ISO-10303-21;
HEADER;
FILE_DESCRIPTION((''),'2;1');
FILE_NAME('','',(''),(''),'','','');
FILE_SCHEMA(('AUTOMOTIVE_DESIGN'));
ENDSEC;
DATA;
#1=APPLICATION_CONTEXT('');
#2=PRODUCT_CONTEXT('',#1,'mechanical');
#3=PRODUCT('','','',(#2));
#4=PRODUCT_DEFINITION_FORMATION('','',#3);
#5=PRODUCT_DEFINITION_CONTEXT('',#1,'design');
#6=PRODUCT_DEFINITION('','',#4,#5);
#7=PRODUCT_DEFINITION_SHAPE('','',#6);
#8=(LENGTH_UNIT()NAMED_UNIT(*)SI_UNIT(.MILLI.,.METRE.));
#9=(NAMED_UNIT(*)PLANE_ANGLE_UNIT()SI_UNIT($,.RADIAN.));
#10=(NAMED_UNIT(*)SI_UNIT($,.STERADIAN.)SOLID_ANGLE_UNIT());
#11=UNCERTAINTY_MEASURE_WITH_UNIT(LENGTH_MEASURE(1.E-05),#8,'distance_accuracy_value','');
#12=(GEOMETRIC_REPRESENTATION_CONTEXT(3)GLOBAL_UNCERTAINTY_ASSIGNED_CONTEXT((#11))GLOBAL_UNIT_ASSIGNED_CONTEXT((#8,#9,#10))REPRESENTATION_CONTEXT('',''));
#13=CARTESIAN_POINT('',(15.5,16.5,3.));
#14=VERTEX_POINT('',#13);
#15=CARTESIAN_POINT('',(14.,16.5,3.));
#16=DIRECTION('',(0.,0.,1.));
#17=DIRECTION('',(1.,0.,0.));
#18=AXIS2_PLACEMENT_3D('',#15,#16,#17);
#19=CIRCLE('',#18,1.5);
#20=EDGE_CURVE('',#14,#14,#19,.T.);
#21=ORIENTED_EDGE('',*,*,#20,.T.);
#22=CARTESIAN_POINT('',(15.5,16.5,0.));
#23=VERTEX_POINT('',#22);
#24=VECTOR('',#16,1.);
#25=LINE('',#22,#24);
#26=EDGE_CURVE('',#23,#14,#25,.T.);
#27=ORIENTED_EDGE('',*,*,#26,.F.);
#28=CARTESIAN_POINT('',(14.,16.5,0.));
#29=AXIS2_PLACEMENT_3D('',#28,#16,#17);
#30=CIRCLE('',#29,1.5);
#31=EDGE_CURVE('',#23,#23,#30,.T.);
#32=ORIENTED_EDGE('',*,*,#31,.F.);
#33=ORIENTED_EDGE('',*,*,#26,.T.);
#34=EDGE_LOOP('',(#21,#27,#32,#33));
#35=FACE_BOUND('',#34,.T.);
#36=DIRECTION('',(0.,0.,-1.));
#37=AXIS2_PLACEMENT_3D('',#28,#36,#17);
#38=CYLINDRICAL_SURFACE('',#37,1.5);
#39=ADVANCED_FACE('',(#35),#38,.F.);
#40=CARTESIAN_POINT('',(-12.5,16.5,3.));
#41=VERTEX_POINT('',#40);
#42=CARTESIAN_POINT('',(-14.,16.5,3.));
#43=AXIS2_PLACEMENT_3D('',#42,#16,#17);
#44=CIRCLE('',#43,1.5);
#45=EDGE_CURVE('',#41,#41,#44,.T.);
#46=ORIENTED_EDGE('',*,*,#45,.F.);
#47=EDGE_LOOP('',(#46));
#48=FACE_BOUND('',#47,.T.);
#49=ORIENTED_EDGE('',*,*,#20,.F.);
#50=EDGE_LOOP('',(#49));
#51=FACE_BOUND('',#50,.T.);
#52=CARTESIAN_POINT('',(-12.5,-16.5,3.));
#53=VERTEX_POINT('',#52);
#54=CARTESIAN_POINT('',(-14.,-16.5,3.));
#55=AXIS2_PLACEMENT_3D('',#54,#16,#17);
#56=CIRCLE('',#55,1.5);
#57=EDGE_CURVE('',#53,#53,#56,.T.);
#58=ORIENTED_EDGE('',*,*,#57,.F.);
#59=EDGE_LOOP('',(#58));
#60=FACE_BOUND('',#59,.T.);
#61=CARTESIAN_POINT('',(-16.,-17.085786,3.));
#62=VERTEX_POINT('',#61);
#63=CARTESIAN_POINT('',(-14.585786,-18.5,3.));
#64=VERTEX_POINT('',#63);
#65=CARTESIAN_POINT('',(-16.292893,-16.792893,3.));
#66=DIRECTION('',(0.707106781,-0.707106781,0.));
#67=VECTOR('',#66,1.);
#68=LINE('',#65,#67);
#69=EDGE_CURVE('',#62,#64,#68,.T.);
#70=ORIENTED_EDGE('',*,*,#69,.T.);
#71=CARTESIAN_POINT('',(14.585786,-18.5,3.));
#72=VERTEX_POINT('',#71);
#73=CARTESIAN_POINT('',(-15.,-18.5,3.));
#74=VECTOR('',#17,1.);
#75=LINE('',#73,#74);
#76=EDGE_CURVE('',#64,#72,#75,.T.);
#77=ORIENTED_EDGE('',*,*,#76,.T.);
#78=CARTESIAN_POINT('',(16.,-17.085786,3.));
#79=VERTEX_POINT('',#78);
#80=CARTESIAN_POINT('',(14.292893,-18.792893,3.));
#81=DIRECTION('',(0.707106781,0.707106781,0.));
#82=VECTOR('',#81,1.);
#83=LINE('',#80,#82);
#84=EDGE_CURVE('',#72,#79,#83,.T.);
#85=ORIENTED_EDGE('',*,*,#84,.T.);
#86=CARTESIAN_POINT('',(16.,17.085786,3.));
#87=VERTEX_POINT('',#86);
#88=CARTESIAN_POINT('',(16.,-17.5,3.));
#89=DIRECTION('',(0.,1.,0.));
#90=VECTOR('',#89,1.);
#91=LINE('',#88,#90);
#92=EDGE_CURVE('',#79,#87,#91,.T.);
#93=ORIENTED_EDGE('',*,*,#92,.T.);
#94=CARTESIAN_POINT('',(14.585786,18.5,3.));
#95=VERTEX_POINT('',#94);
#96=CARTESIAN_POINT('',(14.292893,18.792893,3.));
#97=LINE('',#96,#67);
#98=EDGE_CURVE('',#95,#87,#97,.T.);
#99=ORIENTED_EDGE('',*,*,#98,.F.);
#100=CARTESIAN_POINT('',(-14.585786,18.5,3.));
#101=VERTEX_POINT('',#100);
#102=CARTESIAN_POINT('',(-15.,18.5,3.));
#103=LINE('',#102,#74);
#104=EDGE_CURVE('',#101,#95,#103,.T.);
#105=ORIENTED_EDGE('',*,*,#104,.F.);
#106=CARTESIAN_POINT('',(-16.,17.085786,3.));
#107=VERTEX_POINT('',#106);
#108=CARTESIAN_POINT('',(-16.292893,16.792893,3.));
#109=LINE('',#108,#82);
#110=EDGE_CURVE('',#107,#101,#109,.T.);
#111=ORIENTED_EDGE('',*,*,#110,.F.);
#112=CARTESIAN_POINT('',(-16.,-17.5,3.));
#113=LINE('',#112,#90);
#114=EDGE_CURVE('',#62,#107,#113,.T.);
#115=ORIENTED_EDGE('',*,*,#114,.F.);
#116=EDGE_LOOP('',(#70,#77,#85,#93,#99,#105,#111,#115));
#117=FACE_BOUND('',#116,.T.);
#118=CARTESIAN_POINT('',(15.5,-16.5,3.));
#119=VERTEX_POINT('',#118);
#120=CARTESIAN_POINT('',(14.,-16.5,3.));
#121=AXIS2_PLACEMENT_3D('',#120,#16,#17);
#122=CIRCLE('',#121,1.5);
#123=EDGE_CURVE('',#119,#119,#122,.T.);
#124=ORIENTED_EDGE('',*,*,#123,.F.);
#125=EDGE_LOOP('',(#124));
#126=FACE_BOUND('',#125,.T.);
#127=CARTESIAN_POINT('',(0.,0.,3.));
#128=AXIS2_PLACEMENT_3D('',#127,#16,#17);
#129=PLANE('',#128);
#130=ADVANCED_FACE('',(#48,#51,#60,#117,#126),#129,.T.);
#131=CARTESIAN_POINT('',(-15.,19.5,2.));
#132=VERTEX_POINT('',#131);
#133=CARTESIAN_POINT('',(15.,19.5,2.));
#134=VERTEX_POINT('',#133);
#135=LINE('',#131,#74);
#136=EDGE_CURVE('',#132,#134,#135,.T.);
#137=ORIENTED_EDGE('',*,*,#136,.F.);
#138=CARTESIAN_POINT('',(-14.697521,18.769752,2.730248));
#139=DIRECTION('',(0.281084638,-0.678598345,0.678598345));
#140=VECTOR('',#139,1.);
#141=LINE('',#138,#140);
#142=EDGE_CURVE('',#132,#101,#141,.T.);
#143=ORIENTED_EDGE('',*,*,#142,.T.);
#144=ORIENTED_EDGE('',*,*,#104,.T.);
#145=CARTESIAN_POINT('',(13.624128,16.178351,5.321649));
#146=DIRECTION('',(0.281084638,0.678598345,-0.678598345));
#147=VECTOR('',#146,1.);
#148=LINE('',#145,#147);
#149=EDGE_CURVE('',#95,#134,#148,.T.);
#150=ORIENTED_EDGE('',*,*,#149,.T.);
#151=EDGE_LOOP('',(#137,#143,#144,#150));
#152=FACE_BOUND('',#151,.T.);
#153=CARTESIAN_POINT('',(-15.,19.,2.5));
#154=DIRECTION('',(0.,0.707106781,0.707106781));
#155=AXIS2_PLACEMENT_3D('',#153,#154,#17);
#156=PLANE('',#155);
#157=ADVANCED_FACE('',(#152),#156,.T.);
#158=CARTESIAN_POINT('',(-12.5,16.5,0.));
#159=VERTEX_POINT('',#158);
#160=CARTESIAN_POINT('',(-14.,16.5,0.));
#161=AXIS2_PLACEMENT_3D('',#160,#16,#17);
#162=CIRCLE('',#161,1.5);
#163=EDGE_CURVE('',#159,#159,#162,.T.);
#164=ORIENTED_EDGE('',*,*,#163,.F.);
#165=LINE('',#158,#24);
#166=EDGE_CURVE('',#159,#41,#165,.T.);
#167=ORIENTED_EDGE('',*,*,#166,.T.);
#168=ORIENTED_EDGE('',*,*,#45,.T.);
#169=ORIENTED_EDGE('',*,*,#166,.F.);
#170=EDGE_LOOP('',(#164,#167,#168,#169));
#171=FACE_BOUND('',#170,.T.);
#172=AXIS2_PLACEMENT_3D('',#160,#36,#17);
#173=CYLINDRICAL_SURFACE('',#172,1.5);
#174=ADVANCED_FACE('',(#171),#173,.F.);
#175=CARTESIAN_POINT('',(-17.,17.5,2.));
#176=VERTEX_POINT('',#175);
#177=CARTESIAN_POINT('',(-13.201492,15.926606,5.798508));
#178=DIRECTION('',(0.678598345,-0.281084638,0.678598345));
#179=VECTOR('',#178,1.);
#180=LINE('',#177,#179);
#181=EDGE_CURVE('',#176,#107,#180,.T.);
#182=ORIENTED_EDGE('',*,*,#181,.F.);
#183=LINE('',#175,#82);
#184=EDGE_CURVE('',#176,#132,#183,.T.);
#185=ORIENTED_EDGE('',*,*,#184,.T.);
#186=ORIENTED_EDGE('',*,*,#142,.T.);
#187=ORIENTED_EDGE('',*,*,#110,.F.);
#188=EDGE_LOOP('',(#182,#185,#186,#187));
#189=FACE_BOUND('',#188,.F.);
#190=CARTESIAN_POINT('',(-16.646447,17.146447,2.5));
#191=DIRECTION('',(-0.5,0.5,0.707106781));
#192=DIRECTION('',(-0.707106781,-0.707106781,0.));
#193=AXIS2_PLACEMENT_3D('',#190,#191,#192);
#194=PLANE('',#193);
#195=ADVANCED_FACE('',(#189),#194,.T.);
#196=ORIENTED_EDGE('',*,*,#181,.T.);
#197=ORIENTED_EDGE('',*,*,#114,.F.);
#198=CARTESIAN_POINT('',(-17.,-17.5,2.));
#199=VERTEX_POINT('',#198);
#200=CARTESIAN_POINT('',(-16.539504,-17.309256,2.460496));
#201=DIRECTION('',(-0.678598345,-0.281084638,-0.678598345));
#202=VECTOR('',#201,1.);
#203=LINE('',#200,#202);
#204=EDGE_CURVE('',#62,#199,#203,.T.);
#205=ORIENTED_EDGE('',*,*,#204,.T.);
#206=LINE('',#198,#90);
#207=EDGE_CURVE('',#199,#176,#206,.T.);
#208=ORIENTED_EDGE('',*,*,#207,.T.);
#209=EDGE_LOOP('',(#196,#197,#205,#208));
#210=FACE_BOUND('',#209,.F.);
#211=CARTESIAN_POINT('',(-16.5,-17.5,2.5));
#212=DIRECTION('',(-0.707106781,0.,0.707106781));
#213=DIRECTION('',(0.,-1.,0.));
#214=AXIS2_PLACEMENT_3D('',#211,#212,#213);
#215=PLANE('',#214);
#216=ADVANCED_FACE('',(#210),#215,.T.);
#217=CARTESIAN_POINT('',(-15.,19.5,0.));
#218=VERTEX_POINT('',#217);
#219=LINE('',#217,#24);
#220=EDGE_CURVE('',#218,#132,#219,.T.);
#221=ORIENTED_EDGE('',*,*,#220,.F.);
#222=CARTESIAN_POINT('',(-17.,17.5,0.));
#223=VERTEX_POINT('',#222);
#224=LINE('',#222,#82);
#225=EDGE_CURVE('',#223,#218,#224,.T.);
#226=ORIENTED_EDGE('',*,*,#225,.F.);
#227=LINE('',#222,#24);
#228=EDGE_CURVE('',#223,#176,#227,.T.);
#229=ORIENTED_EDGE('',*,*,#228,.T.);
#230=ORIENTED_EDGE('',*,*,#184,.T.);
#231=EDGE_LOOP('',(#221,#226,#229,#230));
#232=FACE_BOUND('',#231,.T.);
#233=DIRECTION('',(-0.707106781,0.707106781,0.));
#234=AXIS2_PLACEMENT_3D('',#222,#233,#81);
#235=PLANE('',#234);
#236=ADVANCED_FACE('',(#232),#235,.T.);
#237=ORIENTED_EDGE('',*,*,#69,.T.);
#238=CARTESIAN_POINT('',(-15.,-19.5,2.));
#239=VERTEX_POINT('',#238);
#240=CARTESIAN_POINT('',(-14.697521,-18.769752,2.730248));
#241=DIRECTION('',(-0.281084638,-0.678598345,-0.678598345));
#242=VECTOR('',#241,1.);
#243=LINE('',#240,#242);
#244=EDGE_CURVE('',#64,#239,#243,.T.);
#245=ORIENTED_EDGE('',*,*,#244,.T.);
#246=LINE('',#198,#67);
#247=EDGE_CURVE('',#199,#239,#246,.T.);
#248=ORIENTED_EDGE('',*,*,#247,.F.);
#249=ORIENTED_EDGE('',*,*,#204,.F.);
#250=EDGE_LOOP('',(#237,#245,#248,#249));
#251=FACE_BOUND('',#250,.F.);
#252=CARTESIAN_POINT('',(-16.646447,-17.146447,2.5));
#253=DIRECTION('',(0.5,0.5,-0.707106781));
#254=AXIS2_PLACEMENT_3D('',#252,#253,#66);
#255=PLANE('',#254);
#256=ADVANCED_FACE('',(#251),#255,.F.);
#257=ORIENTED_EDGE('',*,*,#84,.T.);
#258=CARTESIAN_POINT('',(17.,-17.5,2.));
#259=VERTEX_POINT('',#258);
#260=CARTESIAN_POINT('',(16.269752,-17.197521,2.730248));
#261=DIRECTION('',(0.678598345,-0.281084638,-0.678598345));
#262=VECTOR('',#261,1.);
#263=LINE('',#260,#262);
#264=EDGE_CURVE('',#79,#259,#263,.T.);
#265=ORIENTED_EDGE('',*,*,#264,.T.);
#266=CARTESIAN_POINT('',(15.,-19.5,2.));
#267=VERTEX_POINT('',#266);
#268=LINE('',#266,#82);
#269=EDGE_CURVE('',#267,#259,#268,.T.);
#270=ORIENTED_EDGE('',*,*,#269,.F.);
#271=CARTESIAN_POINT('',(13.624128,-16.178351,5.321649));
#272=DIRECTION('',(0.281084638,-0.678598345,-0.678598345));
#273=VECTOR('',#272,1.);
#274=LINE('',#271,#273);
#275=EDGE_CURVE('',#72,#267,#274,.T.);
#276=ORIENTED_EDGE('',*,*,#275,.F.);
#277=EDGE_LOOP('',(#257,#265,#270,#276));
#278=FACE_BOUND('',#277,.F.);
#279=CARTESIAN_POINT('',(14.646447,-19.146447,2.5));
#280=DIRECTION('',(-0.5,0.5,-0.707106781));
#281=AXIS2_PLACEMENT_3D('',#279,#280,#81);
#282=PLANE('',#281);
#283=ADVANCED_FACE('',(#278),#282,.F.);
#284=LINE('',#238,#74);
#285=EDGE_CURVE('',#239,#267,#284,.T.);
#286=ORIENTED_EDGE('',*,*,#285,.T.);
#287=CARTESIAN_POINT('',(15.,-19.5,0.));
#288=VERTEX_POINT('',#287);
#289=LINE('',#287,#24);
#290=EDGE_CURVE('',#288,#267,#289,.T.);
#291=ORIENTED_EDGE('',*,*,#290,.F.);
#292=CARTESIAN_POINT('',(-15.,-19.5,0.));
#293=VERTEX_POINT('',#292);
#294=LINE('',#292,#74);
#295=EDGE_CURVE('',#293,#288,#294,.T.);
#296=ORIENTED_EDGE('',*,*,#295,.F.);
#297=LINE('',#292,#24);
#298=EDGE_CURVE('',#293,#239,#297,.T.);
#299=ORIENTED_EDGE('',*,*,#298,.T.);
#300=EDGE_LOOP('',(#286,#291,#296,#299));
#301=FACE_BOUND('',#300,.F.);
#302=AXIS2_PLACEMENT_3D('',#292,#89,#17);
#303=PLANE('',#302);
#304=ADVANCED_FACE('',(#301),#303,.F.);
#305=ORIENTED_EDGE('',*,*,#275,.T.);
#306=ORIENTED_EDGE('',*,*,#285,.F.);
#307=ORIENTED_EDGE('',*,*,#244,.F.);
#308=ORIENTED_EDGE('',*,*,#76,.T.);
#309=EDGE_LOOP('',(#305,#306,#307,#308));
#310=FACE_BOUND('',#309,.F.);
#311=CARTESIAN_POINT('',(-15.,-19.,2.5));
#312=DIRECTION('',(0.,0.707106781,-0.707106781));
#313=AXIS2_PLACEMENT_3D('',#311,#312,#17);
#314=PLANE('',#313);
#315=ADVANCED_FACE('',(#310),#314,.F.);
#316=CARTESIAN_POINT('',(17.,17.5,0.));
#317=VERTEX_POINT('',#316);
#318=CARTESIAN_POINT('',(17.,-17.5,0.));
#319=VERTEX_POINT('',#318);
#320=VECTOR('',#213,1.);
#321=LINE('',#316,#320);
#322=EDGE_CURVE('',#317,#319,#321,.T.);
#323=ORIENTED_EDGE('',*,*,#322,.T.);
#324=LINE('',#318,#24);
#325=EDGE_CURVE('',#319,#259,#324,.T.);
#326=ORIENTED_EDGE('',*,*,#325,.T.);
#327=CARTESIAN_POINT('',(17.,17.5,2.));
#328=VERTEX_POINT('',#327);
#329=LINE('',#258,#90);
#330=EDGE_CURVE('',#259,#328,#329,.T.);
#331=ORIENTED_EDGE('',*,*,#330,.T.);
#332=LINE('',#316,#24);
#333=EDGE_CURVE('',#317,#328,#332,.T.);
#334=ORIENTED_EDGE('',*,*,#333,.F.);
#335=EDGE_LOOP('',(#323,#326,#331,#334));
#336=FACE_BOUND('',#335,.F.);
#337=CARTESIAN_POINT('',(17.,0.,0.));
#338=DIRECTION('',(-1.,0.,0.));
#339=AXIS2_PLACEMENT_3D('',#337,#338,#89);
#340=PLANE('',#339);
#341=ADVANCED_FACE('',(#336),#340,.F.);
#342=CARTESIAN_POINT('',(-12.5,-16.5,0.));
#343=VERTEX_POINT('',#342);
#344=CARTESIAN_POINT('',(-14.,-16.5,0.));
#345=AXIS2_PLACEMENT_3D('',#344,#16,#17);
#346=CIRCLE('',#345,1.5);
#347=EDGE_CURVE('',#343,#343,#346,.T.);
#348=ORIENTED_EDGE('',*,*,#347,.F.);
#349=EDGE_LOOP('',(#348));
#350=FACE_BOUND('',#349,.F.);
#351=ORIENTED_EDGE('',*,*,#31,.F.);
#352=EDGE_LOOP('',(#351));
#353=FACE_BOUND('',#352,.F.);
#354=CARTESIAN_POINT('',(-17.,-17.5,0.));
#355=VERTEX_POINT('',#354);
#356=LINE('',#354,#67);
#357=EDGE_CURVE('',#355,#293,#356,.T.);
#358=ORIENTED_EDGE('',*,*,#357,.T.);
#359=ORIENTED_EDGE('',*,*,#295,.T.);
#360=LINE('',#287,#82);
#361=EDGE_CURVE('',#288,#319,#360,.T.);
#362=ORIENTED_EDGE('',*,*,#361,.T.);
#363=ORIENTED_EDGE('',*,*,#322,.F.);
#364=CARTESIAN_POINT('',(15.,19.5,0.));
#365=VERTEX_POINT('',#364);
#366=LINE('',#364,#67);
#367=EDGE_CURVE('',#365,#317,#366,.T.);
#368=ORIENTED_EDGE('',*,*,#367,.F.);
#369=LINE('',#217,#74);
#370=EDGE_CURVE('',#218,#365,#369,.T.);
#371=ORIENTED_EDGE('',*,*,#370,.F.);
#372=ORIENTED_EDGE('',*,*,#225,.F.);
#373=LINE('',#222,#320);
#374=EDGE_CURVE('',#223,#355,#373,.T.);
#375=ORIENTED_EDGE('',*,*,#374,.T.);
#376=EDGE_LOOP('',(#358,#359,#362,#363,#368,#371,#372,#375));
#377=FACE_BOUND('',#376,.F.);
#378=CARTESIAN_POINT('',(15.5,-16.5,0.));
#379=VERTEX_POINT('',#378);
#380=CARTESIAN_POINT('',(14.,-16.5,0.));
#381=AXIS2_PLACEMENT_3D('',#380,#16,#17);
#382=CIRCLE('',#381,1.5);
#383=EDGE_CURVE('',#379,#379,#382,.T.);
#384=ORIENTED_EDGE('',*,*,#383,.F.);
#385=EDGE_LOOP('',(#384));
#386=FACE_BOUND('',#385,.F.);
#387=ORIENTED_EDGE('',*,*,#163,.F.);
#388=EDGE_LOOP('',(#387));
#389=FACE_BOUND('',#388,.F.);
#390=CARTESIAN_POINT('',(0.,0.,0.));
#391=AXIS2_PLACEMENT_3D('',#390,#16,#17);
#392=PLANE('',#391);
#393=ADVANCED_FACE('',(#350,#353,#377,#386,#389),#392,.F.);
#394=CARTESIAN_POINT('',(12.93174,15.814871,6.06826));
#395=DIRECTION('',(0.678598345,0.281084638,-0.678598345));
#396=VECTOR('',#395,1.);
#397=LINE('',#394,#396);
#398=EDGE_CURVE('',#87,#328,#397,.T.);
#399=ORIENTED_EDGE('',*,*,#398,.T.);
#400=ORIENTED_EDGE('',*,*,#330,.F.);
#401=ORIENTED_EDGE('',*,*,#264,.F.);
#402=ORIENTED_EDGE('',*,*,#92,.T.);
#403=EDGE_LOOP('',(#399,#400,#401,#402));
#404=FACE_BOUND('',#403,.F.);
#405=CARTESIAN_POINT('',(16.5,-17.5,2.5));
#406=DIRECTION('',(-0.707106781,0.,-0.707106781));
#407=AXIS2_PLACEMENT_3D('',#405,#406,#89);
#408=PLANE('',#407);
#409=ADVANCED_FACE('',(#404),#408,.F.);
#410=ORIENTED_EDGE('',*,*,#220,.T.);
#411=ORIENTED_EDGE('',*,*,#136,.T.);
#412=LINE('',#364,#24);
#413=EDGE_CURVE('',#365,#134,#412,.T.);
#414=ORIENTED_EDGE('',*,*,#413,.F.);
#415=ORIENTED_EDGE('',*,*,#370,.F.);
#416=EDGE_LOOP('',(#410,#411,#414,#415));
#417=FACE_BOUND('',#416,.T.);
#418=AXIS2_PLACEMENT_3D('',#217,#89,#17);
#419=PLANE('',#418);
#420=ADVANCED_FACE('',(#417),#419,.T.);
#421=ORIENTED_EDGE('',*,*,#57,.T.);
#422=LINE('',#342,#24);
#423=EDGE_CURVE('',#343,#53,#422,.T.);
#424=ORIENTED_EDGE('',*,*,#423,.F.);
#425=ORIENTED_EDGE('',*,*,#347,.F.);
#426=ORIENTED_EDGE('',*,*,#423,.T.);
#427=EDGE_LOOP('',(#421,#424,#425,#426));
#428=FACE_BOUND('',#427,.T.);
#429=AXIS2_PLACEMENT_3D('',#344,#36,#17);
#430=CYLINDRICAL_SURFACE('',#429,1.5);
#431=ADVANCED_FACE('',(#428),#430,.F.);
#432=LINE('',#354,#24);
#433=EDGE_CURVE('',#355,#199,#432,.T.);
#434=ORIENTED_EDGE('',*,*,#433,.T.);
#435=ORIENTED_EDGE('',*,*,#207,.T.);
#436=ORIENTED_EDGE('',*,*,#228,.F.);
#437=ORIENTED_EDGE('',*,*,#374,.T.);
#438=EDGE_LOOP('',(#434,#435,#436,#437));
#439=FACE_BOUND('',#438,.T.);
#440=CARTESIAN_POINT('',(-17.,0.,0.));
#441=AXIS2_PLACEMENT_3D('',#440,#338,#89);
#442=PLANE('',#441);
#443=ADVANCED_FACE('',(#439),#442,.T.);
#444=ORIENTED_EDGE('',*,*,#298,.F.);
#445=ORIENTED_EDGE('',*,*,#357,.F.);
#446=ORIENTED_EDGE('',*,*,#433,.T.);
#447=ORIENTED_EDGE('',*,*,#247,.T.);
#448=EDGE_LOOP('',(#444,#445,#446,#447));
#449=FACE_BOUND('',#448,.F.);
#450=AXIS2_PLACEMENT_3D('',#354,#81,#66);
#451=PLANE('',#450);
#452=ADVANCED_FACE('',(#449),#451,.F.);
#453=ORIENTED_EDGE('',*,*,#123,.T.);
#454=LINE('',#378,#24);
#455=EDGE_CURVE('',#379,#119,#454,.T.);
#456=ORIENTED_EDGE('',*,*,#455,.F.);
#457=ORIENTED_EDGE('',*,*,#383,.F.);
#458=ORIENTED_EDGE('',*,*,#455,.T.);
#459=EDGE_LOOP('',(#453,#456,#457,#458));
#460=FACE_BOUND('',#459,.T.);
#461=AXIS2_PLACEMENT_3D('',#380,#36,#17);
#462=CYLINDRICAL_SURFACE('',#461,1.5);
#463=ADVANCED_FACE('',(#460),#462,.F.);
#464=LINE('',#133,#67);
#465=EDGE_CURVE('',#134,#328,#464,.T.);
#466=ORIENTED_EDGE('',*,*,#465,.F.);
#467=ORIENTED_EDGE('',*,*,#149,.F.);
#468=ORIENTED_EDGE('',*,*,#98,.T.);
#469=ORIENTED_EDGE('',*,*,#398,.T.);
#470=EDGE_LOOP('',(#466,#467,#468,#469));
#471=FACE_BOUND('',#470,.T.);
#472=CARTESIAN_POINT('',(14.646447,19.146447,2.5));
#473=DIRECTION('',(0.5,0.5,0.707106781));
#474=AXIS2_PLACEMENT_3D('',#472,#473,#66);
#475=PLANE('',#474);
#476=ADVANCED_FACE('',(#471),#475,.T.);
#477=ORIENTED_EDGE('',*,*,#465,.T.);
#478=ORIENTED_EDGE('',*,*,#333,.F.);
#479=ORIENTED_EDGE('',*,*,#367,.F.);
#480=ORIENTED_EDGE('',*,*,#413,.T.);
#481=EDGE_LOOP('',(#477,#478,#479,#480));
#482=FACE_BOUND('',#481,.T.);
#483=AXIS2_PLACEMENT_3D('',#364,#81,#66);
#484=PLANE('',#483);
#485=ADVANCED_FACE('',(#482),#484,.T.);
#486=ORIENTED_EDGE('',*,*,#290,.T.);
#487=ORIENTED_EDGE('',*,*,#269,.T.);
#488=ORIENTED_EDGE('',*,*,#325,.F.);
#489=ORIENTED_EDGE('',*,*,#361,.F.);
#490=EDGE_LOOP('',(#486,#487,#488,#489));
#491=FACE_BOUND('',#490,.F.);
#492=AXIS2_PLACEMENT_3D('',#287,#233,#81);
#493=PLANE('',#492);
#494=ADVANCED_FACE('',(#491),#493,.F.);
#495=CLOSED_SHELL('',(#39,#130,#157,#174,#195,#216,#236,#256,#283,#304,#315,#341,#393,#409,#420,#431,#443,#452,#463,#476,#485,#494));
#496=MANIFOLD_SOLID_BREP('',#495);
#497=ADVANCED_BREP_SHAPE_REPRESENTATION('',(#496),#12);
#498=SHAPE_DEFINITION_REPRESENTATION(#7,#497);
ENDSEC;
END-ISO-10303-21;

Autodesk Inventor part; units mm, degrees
ref_plane "YZ Plane" through (0, 0, 0) normal (1, 0, 0) x (0, 1, 0)
ref_plane "XZ Plane" through (0, 0, 0) normal (0, 1, 0) x (-1, 0, 0)
ref_plane "XY Plane" through (0, 0, 0) normal (0, 0, 1) x (1, 0, 0)
sketch "Sketch1" plane through (0, 0, 0) normal (0, 0, 1) x (1, 0, 0)
  circle A0 centre (-14, 16.5) radius 1.5
  circle A1 centre (14, 16.5) radius 1.5
  line L0 (-12, 0) -> (-12, 14.5)
  line L1 (-12, 14.5) -> (12, 14.5)
  line L2 (12, 14.5) -> (12, 0)
  line L3 (12, 0) -> (17, 0)
  line L4 (17, 0) -> (17, 17.5)
  line L5 (15, 19.5) -> (17, 17.5)
  line L6 (-15, 19.5) -> (15, 19.5)
  line L7 (-17, 17.5) -> (-15, 19.5)
  line L8 (-17, 0) -> (-17, 17.5)
  line L9 (-17, 0) -> (-12, 0)
  line L10 (0, 14.5) -> (0, 0)
  circle A2 centre (-14, -16.5) radius 1.5
  circle A3 centre (14, -16.5) radius 1.5
  line L11 (-12, 0) -> (-12, -14.5)
  line L12 (-12, -14.5) -> (12, -14.5)
  line L13 (12, -14.5) -> (12, 0)
  line L14 (17, 0) -> (17, -17.5)
  line L15 (15, -19.5) -> (17, -17.5)
  line L16 (-15, -19.5) -> (15, -19.5)
  line L17 (-17, -17.5) -> (-15, -19.5)
  line L18 (-17, 0) -> (-17, -17.5)
  line L19 (0, -14.5) -> (0, 0)
  point P0 (0, 0)
  point P1 (0, 12)
  point P2 (0, -12)
extrude "Extrusion1" add sketch "Sketch1" along normal blind 3
chamfer "Chamfer1" distance 1 angle 45 8 edges at (-16, -18.5, 3) (-16, 18.5, 3) (16, 18.5, 3) (16, -18.5, 3) (0, -19.5, 3) (0, 19.5, 3) (-17, 8.75, 3) (17, 8.75, 3)
properties part number "manta ray handle cap"
